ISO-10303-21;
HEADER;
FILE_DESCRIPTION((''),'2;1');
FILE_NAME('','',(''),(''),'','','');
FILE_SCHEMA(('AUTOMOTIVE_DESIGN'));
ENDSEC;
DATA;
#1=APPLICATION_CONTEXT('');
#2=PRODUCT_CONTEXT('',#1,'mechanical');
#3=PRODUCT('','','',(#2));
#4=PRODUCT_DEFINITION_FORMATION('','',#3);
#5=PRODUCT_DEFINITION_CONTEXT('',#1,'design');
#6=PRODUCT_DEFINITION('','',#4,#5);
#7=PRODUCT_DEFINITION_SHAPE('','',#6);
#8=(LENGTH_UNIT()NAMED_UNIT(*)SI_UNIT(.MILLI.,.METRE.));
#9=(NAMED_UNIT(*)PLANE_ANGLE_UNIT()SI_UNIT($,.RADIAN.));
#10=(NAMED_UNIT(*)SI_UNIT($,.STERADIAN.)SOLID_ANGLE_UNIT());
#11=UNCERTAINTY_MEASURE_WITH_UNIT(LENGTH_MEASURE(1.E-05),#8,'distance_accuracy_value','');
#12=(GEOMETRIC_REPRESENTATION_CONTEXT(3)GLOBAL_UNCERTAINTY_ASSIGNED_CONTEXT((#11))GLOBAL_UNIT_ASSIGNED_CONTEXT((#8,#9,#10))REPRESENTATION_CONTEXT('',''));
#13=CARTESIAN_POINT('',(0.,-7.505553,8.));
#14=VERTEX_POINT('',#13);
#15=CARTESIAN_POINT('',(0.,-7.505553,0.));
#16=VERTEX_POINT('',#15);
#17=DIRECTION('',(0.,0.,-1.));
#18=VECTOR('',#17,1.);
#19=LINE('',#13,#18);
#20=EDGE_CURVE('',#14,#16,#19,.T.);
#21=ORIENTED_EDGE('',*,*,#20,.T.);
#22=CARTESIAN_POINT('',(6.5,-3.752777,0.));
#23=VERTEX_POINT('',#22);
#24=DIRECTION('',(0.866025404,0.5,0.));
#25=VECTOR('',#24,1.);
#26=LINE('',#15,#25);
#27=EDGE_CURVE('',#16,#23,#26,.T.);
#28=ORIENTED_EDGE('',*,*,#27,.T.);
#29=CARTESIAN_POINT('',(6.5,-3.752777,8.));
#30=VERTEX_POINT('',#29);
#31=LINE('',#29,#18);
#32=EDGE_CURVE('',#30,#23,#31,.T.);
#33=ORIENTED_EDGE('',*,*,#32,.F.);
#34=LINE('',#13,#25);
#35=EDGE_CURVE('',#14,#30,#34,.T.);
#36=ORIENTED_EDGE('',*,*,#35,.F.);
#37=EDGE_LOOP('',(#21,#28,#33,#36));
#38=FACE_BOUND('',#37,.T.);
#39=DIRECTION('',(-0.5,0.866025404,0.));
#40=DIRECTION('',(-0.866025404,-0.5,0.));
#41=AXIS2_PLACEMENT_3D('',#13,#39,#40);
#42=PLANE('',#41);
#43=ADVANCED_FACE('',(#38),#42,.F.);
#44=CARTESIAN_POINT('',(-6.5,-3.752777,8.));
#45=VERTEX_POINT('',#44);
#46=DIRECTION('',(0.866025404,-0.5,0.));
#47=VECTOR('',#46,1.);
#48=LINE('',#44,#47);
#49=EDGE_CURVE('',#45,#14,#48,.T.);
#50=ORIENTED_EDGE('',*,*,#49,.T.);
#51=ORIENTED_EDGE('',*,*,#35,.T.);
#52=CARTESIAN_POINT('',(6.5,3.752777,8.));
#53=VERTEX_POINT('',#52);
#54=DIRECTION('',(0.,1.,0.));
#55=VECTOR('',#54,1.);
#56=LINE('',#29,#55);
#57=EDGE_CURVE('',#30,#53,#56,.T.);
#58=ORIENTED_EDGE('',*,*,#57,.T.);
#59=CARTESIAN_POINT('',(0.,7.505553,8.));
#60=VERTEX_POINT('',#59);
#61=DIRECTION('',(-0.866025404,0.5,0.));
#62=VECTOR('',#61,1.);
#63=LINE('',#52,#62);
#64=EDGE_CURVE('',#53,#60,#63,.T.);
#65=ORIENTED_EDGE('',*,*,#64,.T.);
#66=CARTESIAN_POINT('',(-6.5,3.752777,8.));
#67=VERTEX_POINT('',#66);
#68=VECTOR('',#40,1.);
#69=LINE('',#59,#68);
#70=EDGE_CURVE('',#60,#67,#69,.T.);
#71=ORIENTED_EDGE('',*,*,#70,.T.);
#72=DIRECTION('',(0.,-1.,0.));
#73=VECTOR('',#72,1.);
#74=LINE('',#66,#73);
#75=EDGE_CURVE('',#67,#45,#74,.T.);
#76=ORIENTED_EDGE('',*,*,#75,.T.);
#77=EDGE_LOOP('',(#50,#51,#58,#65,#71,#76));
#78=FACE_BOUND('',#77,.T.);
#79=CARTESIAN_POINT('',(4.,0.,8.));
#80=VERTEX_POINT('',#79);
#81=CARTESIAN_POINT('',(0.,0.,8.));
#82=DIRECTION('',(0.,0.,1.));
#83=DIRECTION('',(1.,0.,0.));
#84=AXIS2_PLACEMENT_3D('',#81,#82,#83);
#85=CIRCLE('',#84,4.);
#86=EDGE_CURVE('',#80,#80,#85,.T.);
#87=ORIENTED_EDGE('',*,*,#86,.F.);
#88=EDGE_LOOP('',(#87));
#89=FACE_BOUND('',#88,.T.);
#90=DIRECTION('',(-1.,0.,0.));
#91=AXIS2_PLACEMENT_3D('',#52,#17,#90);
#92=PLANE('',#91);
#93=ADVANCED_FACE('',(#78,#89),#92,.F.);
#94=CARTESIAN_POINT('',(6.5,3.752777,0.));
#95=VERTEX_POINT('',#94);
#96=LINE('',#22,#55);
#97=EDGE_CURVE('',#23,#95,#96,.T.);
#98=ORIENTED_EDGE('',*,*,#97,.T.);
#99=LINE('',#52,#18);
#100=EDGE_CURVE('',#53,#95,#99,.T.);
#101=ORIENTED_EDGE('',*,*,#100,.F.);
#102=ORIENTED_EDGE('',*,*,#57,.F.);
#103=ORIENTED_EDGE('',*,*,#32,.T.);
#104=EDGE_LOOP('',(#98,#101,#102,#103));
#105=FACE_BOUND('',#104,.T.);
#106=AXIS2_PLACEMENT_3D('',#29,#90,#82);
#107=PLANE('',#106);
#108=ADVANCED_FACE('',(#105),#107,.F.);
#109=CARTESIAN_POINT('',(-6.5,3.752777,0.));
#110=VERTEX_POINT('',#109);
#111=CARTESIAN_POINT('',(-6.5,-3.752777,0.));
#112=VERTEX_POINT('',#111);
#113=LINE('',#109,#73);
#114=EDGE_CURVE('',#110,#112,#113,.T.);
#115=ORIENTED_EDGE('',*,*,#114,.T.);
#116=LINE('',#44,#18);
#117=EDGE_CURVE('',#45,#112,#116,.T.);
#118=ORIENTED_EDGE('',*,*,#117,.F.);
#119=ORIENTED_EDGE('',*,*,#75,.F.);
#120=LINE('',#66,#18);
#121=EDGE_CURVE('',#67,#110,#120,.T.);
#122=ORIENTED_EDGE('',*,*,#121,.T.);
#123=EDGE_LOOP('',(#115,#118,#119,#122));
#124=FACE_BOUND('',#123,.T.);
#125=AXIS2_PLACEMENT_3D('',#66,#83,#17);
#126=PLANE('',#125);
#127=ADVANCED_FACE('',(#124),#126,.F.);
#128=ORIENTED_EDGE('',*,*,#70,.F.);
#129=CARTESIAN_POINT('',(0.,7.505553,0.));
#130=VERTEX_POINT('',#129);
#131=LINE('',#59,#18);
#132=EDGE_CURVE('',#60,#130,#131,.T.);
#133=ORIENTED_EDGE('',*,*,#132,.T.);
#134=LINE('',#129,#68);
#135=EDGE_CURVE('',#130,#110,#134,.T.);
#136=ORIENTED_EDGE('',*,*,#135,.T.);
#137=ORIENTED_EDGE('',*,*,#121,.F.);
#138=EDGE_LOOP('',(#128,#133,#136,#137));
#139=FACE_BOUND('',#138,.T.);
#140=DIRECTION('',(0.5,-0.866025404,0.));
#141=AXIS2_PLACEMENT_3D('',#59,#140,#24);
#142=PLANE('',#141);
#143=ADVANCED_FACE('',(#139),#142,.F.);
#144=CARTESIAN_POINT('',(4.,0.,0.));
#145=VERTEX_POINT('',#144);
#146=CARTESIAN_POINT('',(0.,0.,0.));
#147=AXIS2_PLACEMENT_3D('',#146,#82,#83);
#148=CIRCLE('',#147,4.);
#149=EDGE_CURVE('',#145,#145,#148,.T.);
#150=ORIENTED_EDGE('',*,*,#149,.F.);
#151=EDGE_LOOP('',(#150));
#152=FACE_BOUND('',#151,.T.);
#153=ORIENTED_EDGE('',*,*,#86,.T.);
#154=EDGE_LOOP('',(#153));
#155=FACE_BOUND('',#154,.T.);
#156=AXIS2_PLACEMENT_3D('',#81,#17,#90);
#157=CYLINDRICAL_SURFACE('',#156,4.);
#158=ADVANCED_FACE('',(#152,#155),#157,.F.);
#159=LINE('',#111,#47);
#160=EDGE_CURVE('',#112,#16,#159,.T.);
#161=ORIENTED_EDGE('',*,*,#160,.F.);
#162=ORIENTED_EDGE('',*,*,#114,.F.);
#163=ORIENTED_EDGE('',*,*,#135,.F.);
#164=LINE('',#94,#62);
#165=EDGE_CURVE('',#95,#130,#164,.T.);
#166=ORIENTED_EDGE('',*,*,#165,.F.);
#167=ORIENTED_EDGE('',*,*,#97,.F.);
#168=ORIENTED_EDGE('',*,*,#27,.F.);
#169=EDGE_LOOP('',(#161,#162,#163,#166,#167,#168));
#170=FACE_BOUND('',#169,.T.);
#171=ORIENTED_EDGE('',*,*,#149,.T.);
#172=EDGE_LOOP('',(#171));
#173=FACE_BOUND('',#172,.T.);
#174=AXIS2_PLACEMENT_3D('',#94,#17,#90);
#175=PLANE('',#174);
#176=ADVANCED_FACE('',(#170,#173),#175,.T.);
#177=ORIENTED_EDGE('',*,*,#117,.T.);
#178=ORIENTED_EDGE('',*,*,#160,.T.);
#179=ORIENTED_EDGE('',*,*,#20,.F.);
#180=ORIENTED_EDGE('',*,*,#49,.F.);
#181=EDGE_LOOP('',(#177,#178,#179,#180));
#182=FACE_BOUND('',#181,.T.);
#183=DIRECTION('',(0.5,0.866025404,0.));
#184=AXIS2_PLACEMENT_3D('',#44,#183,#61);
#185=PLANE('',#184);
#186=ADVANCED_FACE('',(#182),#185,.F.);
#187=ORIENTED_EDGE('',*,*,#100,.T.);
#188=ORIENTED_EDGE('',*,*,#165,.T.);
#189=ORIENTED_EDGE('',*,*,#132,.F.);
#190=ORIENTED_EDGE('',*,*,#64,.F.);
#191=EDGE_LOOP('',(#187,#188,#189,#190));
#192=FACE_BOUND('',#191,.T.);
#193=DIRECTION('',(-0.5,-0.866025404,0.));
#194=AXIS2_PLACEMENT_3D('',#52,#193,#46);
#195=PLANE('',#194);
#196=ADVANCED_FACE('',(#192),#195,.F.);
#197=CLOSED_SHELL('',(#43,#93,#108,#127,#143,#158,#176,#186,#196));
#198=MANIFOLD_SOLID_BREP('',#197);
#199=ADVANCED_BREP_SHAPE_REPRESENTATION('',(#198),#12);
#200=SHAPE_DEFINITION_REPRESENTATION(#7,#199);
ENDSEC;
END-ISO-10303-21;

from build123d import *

# Parameters (mm, degrees)
SKETCH1_R          = 4
BASE_EXTRUDE_DEPTH = 8


with BuildPart() as part:
    # Sketch1 → Base-Extrude (new body)
    with BuildSketch(Plane.XY):
        Polygon((0, 7.505553499), (-6.5, 3.75277675), (-6.5, -3.75277675), (0, -7.505553499), (6.5, -3.75277675), (6.5, 3.75277675), align=None)
        Circle(SKETCH1_R, mode=Mode.SUBTRACT)
    extrude(amount=BASE_EXTRUDE_DEPTH)


solid = part.part
